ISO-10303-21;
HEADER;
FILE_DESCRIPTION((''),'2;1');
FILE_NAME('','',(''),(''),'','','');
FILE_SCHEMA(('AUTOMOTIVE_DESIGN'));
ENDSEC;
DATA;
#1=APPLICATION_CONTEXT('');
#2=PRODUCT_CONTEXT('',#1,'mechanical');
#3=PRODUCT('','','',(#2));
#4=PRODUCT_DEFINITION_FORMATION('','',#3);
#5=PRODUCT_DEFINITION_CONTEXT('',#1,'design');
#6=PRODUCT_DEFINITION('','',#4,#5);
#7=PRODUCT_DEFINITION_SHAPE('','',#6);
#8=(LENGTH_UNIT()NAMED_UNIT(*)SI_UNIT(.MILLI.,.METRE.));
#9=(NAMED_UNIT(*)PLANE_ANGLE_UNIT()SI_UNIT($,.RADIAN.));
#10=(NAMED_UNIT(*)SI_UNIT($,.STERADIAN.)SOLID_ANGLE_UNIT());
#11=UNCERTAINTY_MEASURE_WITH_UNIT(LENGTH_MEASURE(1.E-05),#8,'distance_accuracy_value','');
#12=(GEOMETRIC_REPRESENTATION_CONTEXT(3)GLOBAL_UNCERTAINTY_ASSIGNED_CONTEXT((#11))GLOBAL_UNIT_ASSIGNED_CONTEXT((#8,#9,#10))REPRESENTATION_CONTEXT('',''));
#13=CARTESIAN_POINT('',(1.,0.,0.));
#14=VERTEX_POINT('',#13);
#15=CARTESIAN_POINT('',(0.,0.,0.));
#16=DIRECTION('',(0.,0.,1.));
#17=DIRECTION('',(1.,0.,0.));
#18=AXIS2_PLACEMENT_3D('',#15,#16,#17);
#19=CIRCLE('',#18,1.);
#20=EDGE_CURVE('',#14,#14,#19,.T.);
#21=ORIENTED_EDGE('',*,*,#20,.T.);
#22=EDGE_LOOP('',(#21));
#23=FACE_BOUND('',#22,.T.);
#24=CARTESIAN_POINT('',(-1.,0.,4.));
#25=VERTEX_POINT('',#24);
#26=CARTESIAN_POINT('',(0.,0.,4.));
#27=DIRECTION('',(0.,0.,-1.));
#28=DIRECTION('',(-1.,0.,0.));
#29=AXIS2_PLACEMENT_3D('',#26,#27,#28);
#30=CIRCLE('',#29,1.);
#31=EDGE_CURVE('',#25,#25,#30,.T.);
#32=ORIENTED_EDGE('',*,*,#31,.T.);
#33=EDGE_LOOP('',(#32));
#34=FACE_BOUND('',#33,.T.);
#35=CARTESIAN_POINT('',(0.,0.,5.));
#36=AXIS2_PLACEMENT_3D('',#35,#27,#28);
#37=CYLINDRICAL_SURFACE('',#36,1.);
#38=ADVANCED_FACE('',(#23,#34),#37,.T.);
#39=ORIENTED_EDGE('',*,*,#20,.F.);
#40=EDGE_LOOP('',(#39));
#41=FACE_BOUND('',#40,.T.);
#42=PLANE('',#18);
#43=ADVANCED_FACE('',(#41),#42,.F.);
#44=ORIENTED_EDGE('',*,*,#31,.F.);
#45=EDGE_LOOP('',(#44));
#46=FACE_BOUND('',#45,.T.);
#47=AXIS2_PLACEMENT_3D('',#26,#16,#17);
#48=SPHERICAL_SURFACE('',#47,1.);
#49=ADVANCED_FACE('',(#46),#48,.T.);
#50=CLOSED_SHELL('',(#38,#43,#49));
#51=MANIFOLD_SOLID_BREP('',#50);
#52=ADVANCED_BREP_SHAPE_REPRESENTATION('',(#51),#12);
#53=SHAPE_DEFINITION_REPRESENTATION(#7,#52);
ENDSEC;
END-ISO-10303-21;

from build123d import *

# Parameters (mm, degrees)
SKETCH_1_R      = 1
EXTRUDE_1_DEPTH = 5
FILLET_1_R      = 1


with BuildPart() as part:
    # 草图1 → 凸台-拉伸1 (new body)
    with BuildSketch(Plane.XY):
        Circle(SKETCH_1_R)
    extrude(amount=EXTRUDE_1_DEPTH)

    # 圆角1
    fillet_1_edges = [part.edges().sort_by_distance(p)[0] for p in [
        (-1, 0, 5),
    ]]
    fillet(fillet_1_edges, radius=FILLET_1_R)


solid = part.part
